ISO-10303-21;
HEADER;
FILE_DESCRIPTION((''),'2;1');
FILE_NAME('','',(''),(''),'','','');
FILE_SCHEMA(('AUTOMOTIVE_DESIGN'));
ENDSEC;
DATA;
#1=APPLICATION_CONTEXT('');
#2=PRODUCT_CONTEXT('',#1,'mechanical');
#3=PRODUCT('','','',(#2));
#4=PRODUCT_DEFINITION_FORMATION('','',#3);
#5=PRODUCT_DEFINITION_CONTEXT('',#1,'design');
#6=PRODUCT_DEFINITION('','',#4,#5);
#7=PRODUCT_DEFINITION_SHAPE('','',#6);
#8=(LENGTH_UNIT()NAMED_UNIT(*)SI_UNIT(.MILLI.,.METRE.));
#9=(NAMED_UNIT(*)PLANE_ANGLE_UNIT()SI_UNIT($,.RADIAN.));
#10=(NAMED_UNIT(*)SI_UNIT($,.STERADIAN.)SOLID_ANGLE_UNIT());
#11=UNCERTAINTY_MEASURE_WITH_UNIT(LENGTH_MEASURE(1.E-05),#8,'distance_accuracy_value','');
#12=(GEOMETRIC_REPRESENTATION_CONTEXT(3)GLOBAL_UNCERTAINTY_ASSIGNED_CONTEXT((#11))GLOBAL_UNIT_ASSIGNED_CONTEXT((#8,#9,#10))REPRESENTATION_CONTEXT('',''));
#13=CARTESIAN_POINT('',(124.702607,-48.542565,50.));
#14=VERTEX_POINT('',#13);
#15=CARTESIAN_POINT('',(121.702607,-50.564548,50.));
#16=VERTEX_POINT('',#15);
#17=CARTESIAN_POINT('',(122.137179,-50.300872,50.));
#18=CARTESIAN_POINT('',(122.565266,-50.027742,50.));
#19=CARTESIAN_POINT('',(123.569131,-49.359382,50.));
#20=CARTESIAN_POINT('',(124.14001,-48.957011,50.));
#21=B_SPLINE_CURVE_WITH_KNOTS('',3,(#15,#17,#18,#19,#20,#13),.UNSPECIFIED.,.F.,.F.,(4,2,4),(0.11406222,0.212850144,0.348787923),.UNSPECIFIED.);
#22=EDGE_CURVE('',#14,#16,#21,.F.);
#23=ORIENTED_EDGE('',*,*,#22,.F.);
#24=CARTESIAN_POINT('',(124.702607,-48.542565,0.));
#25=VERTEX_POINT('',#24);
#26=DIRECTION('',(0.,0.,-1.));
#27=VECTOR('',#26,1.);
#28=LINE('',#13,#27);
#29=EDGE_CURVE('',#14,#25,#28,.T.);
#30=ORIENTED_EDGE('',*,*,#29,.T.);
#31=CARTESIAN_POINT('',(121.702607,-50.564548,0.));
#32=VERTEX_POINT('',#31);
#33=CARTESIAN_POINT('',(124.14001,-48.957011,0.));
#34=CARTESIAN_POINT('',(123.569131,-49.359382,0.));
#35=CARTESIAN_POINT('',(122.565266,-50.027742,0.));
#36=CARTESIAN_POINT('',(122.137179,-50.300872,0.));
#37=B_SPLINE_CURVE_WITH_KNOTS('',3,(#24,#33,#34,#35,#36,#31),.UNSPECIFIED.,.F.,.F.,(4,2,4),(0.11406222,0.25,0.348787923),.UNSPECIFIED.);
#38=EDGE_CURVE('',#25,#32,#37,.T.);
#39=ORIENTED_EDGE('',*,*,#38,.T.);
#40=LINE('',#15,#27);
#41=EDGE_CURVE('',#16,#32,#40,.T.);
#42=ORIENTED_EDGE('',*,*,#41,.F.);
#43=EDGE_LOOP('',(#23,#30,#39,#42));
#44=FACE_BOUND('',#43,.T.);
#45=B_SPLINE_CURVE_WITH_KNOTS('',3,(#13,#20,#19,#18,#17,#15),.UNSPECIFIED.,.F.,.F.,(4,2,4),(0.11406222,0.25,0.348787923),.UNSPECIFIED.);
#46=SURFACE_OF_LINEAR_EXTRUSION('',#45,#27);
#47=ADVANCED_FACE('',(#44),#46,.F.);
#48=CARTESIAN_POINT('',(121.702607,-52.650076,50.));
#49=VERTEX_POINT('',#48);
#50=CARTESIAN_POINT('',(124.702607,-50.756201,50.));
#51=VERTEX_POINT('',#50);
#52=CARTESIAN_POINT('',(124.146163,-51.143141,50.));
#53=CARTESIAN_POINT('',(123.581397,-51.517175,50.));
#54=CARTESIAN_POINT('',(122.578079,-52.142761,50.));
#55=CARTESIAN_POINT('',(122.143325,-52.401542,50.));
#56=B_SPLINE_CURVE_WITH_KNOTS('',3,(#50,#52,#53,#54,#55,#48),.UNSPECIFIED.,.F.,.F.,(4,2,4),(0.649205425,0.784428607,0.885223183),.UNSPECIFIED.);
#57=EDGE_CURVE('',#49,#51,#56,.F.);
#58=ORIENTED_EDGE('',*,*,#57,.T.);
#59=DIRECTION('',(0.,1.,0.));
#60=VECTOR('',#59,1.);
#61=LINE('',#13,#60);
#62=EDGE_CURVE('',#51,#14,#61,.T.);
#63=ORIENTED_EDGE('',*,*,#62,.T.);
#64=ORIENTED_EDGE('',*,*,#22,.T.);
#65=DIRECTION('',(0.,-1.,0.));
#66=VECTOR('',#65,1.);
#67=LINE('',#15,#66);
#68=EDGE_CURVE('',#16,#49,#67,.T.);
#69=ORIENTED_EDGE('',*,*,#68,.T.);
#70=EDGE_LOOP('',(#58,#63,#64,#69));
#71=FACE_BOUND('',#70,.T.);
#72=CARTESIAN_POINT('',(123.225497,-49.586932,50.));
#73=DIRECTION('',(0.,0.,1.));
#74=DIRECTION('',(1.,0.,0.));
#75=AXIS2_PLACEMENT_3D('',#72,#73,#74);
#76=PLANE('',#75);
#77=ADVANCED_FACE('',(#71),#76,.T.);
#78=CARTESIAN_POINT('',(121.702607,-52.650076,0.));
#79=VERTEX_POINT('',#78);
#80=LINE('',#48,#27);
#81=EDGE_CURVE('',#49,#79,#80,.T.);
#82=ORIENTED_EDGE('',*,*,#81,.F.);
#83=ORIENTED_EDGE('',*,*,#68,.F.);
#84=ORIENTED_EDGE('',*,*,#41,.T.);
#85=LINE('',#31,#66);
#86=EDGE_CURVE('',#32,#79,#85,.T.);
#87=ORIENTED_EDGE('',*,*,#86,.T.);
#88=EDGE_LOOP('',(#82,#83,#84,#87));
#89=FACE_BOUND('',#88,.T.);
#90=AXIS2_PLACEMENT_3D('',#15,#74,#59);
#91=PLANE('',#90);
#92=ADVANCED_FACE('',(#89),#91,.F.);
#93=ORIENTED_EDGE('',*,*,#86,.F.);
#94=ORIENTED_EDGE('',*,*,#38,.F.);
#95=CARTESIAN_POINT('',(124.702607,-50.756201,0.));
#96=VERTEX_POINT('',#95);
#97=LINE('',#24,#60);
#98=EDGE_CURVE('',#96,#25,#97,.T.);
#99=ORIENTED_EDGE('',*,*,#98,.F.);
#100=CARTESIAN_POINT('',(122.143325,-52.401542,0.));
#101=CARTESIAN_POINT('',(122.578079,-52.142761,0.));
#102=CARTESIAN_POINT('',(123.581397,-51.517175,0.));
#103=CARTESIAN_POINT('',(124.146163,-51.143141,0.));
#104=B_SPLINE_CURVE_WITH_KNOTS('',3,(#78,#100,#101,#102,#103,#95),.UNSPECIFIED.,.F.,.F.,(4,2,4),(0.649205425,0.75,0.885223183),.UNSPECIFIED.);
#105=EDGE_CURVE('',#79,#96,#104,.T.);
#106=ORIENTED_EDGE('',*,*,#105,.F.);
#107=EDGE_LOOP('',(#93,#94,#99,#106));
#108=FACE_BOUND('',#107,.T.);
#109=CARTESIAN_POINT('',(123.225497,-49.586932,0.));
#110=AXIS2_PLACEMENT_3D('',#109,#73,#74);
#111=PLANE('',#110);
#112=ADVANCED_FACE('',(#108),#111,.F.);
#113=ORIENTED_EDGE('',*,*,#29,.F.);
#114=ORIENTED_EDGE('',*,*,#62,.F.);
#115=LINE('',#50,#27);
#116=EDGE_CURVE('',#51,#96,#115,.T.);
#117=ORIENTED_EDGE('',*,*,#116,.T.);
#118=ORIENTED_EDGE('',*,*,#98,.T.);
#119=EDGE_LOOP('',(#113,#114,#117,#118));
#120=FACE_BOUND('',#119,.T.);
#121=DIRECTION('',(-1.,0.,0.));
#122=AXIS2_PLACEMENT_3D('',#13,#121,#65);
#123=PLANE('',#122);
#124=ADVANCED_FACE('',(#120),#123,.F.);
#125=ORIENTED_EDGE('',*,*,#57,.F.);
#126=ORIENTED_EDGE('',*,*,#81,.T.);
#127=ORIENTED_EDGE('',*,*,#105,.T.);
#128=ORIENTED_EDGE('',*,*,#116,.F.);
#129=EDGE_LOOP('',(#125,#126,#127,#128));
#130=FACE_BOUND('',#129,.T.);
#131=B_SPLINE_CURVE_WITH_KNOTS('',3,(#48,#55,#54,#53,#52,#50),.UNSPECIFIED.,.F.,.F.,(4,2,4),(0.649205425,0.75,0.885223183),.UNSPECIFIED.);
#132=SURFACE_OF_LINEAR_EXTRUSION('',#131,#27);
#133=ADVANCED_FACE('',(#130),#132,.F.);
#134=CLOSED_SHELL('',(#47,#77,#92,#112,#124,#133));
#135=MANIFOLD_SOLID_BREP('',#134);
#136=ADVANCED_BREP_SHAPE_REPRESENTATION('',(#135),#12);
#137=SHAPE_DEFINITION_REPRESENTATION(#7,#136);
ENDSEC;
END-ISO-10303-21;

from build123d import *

# Parameters (mm, degrees)
BOSS_EXTRUDE1_DEPTH = 50


with BuildPart() as part:
    # Sketch1 → Boss-Extrude1 (new body)
    with BuildSketch(Plane.XY):
        with BuildLine():
            Line((124.702606635, -48.542565188), (124.702606635, -50.756201419))
            add(Edge.make_bspline(
                [(121.702606635, -52.650076199), (122.143324793, -52.401542151), (122.578079076, -52.142760537), (123.581396627, -51.517175339), (124.146163113, -51.14314056), (124.702606635, -50.756201419)],
                knots=[0.649205425, 0.649205425, 0.649205425, 0.649205425, 0.75, 0.75, 0.885223183, 0.885223183, 0.885223183, 0.885223183], degree=3))
            Line((121.702606635, -52.650076199), (121.702606635, -50.564547966))
            add(Edge.make_bspline(
                [(124.702606635, -48.542565188), (124.140009695, -48.957011343), (123.56913086, -49.359382085), (122.565266453, -50.027741848), (122.137178932, -50.30087247), (121.702606635, -50.564547966)],
                knots=[0.11406222, 0.11406222, 0.11406222, 0.11406222, 0.25, 0.25, 0.348787923, 0.348787923, 0.348787923, 0.348787923], degree=3))
        make_face()
    extrude(amount=BOSS_EXTRUDE1_DEPTH)


solid = part.part
